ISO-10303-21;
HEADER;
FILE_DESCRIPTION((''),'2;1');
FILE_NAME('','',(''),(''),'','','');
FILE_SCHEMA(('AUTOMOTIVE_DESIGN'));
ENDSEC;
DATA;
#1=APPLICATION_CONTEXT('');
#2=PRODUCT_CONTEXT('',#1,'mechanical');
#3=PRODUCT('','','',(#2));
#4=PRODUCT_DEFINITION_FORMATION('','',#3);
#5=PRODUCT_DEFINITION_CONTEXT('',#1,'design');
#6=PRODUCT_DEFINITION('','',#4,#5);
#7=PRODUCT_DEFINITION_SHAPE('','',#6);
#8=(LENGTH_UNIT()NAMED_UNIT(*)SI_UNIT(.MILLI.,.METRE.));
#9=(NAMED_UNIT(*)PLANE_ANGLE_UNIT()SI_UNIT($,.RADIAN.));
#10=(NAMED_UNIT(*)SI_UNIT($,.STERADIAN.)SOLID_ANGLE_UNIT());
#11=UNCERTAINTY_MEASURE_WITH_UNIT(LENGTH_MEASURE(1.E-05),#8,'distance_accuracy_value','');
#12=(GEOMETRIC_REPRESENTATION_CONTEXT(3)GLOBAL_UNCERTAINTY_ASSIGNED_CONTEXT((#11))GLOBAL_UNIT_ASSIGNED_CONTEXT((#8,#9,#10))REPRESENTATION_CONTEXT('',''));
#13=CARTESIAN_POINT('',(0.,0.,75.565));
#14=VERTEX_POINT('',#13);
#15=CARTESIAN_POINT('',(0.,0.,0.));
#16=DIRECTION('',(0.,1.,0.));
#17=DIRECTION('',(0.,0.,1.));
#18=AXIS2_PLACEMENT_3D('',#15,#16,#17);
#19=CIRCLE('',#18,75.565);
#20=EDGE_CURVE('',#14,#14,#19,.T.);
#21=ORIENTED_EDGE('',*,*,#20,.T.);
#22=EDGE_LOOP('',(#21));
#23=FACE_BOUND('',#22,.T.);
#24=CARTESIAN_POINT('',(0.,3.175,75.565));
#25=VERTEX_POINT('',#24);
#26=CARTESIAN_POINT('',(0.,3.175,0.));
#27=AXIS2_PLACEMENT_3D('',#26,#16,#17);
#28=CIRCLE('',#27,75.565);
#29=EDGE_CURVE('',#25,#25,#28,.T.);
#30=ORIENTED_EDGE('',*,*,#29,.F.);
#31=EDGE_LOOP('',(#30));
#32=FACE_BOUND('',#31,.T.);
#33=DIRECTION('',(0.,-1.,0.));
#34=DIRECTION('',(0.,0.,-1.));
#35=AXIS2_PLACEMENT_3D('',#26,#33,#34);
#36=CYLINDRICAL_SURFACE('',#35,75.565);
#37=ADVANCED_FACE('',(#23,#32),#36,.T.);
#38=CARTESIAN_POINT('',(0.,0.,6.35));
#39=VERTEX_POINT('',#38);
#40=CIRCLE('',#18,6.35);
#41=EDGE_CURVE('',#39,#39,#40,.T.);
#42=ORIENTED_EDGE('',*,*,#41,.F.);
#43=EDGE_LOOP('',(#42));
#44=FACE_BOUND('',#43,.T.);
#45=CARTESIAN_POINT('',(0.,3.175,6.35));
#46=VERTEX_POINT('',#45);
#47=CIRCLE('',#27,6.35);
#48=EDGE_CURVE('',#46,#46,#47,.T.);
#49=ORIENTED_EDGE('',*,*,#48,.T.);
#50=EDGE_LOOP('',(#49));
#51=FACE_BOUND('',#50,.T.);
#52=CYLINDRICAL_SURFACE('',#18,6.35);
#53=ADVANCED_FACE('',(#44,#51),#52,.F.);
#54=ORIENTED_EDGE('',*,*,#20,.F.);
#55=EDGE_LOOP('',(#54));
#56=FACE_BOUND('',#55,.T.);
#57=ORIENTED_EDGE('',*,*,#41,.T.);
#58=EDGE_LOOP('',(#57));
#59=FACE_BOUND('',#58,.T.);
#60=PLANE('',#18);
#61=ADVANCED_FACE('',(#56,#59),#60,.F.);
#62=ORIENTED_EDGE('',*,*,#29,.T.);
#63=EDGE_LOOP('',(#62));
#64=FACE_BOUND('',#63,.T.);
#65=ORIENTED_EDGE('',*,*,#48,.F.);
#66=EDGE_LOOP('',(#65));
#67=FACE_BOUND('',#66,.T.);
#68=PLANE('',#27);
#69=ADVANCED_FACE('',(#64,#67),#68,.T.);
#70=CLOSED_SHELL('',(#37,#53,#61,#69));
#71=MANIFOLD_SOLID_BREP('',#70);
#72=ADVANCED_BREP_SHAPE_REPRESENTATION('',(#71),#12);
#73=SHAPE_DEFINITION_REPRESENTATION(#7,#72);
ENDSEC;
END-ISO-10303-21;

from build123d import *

# Parameters (mm, degrees)
SKETCH1_R               = 75.565
BOSS_EXTRUDE1_DEPTH     = 3.175
SKETCH3_R               = 6.35
CUT_EXTRUDE1_DEPTH      = 1
CUT_EXTRUDE1_DEPTH_BACK = 4.175


with BuildPart() as part:
    # Sketch1 → Boss-Extrude1 (new body)
    with BuildSketch(Plane(origin=(0, 0, 0), x_dir=(1, 0, 0), z_dir=(0, 1, 0))):
        Circle(SKETCH1_R)
    extrude(amount=BOSS_EXTRUDE1_DEPTH)

    # Sketch3 → Cut-Extrude1 (cut, two sides)
    with BuildSketch(Plane(origin=(0, 3.175, 0), x_dir=(1, 0, 0), z_dir=(0, 1, 0))) as cut_extrude1_sk:
        Circle(SKETCH3_R)
    extrude(amount=CUT_EXTRUDE1_DEPTH, mode=Mode.SUBTRACT)
    extrude(cut_extrude1_sk.sketch, amount=-CUT_EXTRUDE1_DEPTH_BACK, mode=Mode.SUBTRACT)


solid = part.part
